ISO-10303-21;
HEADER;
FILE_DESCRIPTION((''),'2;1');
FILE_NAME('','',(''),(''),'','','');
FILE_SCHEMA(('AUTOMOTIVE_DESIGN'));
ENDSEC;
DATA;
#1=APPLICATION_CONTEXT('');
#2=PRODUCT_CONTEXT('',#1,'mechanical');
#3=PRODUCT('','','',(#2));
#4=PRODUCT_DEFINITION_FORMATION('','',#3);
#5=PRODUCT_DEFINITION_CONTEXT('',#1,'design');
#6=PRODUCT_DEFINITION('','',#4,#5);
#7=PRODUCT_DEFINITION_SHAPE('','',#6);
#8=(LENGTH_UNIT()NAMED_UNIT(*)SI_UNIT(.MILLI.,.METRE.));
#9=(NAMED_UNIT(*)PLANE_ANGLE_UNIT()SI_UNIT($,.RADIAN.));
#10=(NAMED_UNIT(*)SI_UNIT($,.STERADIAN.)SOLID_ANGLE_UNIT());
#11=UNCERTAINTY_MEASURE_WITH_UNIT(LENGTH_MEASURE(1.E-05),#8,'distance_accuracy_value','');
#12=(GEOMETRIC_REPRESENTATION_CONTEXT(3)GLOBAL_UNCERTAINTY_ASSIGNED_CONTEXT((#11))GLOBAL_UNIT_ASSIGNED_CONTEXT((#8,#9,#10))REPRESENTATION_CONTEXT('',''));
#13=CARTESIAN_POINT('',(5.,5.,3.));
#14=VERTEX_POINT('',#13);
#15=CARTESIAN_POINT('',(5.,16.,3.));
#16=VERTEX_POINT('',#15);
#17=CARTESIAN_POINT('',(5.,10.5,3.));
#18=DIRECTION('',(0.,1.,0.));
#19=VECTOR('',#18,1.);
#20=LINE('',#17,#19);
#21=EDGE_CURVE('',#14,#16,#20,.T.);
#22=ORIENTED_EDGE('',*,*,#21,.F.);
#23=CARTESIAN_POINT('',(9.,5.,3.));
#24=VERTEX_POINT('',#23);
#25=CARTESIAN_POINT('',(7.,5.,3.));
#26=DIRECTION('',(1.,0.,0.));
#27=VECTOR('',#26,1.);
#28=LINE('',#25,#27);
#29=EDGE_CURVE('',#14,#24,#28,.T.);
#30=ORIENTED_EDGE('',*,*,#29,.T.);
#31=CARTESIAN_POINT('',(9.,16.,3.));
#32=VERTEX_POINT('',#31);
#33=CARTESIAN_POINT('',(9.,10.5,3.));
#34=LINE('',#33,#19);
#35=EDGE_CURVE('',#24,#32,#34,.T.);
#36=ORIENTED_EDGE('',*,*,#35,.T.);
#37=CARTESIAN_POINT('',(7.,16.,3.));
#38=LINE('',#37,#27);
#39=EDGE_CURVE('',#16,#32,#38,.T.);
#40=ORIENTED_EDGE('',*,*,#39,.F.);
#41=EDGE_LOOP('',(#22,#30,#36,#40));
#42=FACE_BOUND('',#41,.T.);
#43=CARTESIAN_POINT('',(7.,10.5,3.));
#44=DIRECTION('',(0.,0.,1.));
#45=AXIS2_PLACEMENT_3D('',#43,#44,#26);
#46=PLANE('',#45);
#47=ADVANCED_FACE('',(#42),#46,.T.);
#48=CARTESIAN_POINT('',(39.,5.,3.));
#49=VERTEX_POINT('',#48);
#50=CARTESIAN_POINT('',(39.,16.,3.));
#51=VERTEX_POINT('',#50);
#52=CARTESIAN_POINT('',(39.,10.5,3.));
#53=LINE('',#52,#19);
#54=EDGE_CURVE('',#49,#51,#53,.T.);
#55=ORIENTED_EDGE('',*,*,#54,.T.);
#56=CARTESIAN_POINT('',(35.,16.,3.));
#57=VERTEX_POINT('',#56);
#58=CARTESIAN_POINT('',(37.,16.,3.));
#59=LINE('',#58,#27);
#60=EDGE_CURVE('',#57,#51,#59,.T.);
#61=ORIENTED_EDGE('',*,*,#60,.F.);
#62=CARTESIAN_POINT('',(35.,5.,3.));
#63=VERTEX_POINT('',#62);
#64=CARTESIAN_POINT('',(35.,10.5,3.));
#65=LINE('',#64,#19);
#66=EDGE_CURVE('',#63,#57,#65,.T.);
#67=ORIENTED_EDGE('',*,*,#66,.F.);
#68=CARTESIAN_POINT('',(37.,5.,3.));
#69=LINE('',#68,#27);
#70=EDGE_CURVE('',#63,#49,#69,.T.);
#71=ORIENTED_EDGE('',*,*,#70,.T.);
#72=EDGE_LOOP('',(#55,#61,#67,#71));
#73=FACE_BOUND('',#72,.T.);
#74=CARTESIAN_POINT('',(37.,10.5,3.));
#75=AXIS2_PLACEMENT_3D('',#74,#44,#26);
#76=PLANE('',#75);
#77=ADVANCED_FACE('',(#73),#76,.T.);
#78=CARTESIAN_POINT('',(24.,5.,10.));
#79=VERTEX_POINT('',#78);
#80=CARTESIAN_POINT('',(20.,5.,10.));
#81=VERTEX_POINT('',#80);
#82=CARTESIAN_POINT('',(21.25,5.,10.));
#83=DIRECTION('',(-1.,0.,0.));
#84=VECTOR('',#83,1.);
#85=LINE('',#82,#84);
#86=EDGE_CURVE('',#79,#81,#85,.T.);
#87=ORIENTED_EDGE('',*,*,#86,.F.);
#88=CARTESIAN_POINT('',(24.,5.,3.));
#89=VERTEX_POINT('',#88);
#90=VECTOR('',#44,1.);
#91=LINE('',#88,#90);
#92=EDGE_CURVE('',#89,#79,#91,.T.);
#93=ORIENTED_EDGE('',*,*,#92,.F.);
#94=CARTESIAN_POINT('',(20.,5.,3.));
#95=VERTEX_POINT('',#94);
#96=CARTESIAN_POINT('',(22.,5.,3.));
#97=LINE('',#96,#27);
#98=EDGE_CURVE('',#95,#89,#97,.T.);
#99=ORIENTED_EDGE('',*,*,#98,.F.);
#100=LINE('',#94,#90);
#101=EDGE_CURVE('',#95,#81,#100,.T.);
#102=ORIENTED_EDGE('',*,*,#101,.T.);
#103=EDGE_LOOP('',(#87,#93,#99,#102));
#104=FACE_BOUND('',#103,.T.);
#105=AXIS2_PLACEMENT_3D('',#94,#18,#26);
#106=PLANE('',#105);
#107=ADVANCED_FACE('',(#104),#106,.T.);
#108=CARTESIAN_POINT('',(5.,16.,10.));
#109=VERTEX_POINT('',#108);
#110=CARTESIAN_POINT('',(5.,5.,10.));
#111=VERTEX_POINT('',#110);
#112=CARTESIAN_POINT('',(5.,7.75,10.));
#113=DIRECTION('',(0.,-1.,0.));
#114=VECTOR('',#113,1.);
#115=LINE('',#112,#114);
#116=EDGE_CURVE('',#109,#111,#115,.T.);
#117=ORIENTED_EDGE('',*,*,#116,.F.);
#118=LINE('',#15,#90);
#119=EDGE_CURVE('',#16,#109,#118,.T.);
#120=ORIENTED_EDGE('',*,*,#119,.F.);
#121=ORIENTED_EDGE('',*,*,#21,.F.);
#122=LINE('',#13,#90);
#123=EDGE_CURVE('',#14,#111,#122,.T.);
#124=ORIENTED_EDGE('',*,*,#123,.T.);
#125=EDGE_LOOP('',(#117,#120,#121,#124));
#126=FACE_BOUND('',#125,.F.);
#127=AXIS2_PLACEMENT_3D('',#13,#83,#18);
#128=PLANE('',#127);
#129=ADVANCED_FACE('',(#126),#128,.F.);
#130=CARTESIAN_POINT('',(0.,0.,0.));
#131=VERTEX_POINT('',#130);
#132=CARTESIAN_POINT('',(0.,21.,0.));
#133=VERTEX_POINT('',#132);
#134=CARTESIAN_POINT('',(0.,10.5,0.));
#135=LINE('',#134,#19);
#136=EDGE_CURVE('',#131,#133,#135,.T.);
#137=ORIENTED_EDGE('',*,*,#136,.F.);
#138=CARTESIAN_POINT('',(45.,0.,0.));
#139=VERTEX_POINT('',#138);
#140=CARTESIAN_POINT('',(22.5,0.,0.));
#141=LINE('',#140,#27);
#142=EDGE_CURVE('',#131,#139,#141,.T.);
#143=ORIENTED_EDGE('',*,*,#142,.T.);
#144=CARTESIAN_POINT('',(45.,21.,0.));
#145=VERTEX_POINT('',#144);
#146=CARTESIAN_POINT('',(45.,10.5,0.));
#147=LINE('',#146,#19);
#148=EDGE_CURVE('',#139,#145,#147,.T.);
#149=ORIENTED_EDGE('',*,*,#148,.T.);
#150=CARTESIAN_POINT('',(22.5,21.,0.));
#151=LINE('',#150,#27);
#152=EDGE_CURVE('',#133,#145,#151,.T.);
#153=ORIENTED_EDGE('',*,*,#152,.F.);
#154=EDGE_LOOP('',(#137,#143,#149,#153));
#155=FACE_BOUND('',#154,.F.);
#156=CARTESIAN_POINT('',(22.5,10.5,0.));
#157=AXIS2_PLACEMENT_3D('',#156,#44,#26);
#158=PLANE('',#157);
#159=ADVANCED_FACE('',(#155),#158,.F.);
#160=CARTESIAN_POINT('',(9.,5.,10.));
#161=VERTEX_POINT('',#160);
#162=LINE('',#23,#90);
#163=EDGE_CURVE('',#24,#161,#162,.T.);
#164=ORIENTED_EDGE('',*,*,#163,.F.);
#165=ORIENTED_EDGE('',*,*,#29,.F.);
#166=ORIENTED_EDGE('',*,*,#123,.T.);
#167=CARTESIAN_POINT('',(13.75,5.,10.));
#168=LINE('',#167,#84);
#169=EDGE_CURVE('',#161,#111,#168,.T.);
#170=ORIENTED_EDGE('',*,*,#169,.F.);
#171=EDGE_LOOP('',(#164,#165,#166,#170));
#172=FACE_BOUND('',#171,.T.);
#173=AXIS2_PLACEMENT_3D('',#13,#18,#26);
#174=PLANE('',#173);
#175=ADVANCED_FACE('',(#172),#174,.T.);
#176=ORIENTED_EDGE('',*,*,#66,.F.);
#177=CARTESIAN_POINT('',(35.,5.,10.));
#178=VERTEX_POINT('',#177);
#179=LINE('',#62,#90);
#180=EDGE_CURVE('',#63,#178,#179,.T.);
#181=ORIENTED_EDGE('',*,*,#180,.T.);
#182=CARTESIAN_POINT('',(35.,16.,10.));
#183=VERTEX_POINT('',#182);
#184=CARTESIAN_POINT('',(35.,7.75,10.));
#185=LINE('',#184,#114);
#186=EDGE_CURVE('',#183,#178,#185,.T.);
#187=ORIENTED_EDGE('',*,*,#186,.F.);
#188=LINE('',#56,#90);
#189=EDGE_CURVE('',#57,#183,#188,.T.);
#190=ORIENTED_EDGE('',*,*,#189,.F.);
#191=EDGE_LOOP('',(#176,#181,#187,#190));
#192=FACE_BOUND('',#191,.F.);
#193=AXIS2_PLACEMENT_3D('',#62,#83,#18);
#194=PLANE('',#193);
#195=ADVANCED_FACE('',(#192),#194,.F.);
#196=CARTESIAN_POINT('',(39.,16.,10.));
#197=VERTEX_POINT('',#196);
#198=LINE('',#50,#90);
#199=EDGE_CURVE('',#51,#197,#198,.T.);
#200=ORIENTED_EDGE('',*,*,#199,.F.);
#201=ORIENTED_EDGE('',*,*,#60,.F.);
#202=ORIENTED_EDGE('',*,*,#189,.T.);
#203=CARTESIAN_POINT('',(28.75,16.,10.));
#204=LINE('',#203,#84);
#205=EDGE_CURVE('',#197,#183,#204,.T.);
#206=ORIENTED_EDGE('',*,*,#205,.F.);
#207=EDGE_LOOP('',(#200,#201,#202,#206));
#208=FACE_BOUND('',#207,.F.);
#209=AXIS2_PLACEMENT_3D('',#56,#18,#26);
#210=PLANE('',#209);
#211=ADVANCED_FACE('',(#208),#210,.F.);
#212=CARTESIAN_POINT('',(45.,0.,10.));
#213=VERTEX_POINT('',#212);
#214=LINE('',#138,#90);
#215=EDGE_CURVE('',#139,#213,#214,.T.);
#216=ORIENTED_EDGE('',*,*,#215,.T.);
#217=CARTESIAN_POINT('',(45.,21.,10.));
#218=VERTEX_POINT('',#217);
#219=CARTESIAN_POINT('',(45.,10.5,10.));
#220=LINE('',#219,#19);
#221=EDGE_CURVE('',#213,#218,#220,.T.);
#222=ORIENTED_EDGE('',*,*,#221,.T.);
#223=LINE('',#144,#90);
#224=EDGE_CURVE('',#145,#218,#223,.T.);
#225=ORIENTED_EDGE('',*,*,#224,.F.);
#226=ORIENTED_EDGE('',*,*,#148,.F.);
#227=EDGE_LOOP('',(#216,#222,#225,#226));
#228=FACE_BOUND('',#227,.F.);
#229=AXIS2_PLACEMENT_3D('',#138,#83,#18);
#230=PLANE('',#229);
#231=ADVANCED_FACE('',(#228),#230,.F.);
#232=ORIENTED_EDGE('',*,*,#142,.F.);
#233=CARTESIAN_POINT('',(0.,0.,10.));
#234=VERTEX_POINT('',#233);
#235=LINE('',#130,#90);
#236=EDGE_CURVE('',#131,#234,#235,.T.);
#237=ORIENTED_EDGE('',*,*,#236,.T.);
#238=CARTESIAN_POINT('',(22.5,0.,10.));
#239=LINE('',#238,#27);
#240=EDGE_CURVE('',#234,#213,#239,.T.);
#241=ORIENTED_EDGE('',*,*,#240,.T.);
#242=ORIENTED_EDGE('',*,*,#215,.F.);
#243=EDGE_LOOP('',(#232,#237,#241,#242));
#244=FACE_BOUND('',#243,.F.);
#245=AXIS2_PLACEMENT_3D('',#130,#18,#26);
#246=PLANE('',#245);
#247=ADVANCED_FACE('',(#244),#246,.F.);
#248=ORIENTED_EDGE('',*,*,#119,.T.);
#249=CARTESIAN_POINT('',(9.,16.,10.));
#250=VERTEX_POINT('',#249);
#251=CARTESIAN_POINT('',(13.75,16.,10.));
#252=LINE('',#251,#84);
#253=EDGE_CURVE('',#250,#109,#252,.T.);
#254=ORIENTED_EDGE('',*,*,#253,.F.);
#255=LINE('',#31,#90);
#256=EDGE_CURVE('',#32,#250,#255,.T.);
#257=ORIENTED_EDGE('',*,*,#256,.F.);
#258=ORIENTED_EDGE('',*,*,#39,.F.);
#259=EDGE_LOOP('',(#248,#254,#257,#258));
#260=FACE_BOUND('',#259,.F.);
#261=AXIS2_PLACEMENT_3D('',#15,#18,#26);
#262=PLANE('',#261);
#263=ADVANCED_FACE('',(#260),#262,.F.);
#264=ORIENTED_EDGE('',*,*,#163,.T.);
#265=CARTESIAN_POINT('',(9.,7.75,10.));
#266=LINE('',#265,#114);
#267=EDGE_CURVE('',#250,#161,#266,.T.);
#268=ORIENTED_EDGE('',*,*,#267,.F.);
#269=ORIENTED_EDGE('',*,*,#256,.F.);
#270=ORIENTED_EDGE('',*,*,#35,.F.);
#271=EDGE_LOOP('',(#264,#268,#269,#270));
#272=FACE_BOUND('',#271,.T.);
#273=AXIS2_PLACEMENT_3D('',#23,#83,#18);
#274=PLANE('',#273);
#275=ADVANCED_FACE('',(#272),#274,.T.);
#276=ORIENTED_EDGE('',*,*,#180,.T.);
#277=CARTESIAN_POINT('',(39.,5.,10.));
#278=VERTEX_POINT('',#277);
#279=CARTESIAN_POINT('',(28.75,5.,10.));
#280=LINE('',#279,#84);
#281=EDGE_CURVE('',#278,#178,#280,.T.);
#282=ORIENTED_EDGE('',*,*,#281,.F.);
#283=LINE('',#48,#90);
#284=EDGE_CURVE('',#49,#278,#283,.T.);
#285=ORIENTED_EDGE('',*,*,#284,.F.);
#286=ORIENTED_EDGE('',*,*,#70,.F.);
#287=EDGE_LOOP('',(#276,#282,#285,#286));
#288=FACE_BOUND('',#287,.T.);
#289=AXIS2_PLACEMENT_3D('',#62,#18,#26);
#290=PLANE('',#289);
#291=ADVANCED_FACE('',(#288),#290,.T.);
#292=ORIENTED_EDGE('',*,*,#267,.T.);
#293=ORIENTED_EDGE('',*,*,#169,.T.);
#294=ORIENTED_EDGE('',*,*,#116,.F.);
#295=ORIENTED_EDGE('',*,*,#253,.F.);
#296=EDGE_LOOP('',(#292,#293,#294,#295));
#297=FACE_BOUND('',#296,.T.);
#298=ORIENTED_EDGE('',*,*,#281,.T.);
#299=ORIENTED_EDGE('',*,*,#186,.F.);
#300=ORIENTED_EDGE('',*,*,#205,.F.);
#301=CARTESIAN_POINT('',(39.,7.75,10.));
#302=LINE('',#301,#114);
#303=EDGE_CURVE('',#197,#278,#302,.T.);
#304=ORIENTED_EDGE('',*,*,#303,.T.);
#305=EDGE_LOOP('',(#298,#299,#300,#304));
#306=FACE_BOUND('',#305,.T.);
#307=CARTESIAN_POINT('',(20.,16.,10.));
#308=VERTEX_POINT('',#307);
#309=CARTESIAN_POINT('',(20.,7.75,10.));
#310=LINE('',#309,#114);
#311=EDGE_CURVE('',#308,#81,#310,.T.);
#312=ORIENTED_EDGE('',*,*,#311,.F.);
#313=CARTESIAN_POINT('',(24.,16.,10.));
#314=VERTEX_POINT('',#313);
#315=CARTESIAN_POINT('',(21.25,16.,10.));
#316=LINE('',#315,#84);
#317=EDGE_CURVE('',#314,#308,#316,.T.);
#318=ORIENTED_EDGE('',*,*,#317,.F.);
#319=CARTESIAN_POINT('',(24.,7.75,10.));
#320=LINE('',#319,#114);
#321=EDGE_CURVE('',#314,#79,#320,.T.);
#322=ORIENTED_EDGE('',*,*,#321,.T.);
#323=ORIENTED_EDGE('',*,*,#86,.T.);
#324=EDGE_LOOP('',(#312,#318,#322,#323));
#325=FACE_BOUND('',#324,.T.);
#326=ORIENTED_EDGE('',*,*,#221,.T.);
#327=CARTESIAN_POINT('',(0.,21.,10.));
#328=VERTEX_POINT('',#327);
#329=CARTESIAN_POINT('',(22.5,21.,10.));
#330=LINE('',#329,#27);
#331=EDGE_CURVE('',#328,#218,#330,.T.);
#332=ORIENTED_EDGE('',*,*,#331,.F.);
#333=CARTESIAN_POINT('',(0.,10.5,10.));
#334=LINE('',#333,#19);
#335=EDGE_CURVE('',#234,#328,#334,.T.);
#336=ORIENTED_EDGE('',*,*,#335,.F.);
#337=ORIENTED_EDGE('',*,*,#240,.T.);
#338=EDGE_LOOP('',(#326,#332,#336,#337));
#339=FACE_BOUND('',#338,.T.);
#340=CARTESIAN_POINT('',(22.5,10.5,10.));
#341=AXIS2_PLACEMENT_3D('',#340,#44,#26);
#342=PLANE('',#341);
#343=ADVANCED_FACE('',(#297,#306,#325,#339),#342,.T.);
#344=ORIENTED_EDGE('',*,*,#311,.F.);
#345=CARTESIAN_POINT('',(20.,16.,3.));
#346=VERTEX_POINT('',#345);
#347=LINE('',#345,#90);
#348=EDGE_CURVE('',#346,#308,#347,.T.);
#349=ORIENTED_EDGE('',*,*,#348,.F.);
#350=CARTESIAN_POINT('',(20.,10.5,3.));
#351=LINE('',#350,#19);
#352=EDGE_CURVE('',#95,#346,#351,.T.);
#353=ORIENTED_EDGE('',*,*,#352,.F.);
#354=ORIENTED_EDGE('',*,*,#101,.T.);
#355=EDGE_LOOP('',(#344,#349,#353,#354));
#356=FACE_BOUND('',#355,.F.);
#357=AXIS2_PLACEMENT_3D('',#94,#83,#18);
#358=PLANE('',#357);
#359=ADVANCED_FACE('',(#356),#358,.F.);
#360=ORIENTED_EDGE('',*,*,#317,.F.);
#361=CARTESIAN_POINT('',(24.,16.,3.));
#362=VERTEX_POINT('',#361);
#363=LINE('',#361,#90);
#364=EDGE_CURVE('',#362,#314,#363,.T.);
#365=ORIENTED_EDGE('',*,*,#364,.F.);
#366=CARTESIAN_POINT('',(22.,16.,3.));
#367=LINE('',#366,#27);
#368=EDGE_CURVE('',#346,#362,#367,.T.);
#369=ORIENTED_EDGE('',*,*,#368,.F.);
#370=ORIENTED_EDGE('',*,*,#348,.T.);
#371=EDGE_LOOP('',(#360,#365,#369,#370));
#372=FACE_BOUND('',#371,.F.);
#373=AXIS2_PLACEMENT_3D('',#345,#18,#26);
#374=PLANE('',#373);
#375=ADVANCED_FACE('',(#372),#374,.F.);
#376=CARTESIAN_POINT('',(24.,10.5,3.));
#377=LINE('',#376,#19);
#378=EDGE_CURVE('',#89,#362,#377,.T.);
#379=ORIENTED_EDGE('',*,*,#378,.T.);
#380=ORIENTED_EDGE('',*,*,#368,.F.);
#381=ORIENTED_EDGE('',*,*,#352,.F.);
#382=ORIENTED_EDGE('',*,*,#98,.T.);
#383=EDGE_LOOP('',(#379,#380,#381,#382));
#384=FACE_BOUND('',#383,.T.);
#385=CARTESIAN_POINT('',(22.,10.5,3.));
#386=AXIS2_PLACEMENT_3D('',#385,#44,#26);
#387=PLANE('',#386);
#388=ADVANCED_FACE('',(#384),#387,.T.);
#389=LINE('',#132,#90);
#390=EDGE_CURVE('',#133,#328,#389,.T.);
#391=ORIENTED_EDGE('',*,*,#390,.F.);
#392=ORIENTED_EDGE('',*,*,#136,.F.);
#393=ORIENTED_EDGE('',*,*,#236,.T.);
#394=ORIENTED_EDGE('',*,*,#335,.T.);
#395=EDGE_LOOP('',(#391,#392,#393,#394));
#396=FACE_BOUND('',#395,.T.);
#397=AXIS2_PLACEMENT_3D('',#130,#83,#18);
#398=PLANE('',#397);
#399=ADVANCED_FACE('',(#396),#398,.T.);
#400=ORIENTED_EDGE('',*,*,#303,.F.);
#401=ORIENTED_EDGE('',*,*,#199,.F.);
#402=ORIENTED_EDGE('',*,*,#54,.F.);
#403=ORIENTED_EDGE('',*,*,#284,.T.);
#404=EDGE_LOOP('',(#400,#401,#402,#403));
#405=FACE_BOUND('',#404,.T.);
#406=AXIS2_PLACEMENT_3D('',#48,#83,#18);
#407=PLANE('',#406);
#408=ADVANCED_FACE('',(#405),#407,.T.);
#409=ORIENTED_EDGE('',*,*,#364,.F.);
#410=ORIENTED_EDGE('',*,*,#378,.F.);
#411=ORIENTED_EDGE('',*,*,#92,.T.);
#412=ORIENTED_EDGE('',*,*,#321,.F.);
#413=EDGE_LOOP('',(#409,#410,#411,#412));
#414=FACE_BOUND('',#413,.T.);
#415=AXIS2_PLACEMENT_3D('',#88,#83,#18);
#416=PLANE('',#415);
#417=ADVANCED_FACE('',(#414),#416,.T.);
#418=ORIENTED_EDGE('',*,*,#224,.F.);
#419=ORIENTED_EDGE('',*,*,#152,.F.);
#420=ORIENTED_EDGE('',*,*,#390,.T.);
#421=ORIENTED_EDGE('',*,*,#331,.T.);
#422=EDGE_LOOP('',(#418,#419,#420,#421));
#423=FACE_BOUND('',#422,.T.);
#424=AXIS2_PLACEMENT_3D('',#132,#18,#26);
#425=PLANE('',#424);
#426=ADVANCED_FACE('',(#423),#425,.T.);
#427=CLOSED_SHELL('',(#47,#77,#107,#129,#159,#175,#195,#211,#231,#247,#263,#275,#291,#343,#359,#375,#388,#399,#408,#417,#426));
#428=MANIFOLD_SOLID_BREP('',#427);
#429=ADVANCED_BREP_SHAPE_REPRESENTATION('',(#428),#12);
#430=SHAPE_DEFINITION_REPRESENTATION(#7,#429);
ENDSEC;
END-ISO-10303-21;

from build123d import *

# Parameters (mm, degrees)
BOX001_W     = 4
BOX001_H     = 11
BOX001_DEPTH = 12
BOX002_W     = 4
BOX002_H     = 11
BOX002_DEPTH = 12
BOX_W        = 4
BOX_H        = 11
BOX_DEPTH    = 12
BOX003_W     = 45
BOX003_H     = 21
BOX003_DEPTH = 10


with BuildPart() as cube001:
    # Box001 → Box001 (new body)
    with BuildSketch(Plane(origin=(15, 0, 0), x_dir=(1, 0, 0), z_dir=(0, 0, 1))):
        with Locations((2, 5.5)):
            Rectangle(BOX001_W, BOX001_H)
    extrude(amount=BOX001_DEPTH)


with BuildPart() as cube002:
    # Box002 → Box002 (new body)
    with BuildSketch(Plane(origin=(30, 0, 0), x_dir=(1, 0, 0), z_dir=(0, 0, 1))):
        with Locations((2, 5.5)):
            Rectangle(BOX002_W, BOX002_H)
    extrude(amount=BOX002_DEPTH)


with BuildPart() as fusion:
    # Box → Box (new body)
    with BuildSketch(Plane.XY):
        with Locations((2, 5.5)):
            Rectangle(BOX_W, BOX_H)
    extrude(amount=BOX_DEPTH)

    # Fusion: union Cube001, Cube002
    add(cube001.part)
    add(cube002.part)


with BuildPart() as fusion_1:
    # Fusion placement: moved
    add(fusion.part.moved(Location((5, 5, 3))))


with BuildPart() as cut:
    # Box003 → Box003 (new body)
    with BuildSketch(Plane.XY):
        with Locations((22.5, 10.5)):
            Rectangle(BOX003_W, BOX003_H)
    extrude(amount=BOX003_DEPTH)

    # Cut: cut Fusion
    add(fusion_1.part, mode=Mode.SUBTRACT)


solid = cut.part
